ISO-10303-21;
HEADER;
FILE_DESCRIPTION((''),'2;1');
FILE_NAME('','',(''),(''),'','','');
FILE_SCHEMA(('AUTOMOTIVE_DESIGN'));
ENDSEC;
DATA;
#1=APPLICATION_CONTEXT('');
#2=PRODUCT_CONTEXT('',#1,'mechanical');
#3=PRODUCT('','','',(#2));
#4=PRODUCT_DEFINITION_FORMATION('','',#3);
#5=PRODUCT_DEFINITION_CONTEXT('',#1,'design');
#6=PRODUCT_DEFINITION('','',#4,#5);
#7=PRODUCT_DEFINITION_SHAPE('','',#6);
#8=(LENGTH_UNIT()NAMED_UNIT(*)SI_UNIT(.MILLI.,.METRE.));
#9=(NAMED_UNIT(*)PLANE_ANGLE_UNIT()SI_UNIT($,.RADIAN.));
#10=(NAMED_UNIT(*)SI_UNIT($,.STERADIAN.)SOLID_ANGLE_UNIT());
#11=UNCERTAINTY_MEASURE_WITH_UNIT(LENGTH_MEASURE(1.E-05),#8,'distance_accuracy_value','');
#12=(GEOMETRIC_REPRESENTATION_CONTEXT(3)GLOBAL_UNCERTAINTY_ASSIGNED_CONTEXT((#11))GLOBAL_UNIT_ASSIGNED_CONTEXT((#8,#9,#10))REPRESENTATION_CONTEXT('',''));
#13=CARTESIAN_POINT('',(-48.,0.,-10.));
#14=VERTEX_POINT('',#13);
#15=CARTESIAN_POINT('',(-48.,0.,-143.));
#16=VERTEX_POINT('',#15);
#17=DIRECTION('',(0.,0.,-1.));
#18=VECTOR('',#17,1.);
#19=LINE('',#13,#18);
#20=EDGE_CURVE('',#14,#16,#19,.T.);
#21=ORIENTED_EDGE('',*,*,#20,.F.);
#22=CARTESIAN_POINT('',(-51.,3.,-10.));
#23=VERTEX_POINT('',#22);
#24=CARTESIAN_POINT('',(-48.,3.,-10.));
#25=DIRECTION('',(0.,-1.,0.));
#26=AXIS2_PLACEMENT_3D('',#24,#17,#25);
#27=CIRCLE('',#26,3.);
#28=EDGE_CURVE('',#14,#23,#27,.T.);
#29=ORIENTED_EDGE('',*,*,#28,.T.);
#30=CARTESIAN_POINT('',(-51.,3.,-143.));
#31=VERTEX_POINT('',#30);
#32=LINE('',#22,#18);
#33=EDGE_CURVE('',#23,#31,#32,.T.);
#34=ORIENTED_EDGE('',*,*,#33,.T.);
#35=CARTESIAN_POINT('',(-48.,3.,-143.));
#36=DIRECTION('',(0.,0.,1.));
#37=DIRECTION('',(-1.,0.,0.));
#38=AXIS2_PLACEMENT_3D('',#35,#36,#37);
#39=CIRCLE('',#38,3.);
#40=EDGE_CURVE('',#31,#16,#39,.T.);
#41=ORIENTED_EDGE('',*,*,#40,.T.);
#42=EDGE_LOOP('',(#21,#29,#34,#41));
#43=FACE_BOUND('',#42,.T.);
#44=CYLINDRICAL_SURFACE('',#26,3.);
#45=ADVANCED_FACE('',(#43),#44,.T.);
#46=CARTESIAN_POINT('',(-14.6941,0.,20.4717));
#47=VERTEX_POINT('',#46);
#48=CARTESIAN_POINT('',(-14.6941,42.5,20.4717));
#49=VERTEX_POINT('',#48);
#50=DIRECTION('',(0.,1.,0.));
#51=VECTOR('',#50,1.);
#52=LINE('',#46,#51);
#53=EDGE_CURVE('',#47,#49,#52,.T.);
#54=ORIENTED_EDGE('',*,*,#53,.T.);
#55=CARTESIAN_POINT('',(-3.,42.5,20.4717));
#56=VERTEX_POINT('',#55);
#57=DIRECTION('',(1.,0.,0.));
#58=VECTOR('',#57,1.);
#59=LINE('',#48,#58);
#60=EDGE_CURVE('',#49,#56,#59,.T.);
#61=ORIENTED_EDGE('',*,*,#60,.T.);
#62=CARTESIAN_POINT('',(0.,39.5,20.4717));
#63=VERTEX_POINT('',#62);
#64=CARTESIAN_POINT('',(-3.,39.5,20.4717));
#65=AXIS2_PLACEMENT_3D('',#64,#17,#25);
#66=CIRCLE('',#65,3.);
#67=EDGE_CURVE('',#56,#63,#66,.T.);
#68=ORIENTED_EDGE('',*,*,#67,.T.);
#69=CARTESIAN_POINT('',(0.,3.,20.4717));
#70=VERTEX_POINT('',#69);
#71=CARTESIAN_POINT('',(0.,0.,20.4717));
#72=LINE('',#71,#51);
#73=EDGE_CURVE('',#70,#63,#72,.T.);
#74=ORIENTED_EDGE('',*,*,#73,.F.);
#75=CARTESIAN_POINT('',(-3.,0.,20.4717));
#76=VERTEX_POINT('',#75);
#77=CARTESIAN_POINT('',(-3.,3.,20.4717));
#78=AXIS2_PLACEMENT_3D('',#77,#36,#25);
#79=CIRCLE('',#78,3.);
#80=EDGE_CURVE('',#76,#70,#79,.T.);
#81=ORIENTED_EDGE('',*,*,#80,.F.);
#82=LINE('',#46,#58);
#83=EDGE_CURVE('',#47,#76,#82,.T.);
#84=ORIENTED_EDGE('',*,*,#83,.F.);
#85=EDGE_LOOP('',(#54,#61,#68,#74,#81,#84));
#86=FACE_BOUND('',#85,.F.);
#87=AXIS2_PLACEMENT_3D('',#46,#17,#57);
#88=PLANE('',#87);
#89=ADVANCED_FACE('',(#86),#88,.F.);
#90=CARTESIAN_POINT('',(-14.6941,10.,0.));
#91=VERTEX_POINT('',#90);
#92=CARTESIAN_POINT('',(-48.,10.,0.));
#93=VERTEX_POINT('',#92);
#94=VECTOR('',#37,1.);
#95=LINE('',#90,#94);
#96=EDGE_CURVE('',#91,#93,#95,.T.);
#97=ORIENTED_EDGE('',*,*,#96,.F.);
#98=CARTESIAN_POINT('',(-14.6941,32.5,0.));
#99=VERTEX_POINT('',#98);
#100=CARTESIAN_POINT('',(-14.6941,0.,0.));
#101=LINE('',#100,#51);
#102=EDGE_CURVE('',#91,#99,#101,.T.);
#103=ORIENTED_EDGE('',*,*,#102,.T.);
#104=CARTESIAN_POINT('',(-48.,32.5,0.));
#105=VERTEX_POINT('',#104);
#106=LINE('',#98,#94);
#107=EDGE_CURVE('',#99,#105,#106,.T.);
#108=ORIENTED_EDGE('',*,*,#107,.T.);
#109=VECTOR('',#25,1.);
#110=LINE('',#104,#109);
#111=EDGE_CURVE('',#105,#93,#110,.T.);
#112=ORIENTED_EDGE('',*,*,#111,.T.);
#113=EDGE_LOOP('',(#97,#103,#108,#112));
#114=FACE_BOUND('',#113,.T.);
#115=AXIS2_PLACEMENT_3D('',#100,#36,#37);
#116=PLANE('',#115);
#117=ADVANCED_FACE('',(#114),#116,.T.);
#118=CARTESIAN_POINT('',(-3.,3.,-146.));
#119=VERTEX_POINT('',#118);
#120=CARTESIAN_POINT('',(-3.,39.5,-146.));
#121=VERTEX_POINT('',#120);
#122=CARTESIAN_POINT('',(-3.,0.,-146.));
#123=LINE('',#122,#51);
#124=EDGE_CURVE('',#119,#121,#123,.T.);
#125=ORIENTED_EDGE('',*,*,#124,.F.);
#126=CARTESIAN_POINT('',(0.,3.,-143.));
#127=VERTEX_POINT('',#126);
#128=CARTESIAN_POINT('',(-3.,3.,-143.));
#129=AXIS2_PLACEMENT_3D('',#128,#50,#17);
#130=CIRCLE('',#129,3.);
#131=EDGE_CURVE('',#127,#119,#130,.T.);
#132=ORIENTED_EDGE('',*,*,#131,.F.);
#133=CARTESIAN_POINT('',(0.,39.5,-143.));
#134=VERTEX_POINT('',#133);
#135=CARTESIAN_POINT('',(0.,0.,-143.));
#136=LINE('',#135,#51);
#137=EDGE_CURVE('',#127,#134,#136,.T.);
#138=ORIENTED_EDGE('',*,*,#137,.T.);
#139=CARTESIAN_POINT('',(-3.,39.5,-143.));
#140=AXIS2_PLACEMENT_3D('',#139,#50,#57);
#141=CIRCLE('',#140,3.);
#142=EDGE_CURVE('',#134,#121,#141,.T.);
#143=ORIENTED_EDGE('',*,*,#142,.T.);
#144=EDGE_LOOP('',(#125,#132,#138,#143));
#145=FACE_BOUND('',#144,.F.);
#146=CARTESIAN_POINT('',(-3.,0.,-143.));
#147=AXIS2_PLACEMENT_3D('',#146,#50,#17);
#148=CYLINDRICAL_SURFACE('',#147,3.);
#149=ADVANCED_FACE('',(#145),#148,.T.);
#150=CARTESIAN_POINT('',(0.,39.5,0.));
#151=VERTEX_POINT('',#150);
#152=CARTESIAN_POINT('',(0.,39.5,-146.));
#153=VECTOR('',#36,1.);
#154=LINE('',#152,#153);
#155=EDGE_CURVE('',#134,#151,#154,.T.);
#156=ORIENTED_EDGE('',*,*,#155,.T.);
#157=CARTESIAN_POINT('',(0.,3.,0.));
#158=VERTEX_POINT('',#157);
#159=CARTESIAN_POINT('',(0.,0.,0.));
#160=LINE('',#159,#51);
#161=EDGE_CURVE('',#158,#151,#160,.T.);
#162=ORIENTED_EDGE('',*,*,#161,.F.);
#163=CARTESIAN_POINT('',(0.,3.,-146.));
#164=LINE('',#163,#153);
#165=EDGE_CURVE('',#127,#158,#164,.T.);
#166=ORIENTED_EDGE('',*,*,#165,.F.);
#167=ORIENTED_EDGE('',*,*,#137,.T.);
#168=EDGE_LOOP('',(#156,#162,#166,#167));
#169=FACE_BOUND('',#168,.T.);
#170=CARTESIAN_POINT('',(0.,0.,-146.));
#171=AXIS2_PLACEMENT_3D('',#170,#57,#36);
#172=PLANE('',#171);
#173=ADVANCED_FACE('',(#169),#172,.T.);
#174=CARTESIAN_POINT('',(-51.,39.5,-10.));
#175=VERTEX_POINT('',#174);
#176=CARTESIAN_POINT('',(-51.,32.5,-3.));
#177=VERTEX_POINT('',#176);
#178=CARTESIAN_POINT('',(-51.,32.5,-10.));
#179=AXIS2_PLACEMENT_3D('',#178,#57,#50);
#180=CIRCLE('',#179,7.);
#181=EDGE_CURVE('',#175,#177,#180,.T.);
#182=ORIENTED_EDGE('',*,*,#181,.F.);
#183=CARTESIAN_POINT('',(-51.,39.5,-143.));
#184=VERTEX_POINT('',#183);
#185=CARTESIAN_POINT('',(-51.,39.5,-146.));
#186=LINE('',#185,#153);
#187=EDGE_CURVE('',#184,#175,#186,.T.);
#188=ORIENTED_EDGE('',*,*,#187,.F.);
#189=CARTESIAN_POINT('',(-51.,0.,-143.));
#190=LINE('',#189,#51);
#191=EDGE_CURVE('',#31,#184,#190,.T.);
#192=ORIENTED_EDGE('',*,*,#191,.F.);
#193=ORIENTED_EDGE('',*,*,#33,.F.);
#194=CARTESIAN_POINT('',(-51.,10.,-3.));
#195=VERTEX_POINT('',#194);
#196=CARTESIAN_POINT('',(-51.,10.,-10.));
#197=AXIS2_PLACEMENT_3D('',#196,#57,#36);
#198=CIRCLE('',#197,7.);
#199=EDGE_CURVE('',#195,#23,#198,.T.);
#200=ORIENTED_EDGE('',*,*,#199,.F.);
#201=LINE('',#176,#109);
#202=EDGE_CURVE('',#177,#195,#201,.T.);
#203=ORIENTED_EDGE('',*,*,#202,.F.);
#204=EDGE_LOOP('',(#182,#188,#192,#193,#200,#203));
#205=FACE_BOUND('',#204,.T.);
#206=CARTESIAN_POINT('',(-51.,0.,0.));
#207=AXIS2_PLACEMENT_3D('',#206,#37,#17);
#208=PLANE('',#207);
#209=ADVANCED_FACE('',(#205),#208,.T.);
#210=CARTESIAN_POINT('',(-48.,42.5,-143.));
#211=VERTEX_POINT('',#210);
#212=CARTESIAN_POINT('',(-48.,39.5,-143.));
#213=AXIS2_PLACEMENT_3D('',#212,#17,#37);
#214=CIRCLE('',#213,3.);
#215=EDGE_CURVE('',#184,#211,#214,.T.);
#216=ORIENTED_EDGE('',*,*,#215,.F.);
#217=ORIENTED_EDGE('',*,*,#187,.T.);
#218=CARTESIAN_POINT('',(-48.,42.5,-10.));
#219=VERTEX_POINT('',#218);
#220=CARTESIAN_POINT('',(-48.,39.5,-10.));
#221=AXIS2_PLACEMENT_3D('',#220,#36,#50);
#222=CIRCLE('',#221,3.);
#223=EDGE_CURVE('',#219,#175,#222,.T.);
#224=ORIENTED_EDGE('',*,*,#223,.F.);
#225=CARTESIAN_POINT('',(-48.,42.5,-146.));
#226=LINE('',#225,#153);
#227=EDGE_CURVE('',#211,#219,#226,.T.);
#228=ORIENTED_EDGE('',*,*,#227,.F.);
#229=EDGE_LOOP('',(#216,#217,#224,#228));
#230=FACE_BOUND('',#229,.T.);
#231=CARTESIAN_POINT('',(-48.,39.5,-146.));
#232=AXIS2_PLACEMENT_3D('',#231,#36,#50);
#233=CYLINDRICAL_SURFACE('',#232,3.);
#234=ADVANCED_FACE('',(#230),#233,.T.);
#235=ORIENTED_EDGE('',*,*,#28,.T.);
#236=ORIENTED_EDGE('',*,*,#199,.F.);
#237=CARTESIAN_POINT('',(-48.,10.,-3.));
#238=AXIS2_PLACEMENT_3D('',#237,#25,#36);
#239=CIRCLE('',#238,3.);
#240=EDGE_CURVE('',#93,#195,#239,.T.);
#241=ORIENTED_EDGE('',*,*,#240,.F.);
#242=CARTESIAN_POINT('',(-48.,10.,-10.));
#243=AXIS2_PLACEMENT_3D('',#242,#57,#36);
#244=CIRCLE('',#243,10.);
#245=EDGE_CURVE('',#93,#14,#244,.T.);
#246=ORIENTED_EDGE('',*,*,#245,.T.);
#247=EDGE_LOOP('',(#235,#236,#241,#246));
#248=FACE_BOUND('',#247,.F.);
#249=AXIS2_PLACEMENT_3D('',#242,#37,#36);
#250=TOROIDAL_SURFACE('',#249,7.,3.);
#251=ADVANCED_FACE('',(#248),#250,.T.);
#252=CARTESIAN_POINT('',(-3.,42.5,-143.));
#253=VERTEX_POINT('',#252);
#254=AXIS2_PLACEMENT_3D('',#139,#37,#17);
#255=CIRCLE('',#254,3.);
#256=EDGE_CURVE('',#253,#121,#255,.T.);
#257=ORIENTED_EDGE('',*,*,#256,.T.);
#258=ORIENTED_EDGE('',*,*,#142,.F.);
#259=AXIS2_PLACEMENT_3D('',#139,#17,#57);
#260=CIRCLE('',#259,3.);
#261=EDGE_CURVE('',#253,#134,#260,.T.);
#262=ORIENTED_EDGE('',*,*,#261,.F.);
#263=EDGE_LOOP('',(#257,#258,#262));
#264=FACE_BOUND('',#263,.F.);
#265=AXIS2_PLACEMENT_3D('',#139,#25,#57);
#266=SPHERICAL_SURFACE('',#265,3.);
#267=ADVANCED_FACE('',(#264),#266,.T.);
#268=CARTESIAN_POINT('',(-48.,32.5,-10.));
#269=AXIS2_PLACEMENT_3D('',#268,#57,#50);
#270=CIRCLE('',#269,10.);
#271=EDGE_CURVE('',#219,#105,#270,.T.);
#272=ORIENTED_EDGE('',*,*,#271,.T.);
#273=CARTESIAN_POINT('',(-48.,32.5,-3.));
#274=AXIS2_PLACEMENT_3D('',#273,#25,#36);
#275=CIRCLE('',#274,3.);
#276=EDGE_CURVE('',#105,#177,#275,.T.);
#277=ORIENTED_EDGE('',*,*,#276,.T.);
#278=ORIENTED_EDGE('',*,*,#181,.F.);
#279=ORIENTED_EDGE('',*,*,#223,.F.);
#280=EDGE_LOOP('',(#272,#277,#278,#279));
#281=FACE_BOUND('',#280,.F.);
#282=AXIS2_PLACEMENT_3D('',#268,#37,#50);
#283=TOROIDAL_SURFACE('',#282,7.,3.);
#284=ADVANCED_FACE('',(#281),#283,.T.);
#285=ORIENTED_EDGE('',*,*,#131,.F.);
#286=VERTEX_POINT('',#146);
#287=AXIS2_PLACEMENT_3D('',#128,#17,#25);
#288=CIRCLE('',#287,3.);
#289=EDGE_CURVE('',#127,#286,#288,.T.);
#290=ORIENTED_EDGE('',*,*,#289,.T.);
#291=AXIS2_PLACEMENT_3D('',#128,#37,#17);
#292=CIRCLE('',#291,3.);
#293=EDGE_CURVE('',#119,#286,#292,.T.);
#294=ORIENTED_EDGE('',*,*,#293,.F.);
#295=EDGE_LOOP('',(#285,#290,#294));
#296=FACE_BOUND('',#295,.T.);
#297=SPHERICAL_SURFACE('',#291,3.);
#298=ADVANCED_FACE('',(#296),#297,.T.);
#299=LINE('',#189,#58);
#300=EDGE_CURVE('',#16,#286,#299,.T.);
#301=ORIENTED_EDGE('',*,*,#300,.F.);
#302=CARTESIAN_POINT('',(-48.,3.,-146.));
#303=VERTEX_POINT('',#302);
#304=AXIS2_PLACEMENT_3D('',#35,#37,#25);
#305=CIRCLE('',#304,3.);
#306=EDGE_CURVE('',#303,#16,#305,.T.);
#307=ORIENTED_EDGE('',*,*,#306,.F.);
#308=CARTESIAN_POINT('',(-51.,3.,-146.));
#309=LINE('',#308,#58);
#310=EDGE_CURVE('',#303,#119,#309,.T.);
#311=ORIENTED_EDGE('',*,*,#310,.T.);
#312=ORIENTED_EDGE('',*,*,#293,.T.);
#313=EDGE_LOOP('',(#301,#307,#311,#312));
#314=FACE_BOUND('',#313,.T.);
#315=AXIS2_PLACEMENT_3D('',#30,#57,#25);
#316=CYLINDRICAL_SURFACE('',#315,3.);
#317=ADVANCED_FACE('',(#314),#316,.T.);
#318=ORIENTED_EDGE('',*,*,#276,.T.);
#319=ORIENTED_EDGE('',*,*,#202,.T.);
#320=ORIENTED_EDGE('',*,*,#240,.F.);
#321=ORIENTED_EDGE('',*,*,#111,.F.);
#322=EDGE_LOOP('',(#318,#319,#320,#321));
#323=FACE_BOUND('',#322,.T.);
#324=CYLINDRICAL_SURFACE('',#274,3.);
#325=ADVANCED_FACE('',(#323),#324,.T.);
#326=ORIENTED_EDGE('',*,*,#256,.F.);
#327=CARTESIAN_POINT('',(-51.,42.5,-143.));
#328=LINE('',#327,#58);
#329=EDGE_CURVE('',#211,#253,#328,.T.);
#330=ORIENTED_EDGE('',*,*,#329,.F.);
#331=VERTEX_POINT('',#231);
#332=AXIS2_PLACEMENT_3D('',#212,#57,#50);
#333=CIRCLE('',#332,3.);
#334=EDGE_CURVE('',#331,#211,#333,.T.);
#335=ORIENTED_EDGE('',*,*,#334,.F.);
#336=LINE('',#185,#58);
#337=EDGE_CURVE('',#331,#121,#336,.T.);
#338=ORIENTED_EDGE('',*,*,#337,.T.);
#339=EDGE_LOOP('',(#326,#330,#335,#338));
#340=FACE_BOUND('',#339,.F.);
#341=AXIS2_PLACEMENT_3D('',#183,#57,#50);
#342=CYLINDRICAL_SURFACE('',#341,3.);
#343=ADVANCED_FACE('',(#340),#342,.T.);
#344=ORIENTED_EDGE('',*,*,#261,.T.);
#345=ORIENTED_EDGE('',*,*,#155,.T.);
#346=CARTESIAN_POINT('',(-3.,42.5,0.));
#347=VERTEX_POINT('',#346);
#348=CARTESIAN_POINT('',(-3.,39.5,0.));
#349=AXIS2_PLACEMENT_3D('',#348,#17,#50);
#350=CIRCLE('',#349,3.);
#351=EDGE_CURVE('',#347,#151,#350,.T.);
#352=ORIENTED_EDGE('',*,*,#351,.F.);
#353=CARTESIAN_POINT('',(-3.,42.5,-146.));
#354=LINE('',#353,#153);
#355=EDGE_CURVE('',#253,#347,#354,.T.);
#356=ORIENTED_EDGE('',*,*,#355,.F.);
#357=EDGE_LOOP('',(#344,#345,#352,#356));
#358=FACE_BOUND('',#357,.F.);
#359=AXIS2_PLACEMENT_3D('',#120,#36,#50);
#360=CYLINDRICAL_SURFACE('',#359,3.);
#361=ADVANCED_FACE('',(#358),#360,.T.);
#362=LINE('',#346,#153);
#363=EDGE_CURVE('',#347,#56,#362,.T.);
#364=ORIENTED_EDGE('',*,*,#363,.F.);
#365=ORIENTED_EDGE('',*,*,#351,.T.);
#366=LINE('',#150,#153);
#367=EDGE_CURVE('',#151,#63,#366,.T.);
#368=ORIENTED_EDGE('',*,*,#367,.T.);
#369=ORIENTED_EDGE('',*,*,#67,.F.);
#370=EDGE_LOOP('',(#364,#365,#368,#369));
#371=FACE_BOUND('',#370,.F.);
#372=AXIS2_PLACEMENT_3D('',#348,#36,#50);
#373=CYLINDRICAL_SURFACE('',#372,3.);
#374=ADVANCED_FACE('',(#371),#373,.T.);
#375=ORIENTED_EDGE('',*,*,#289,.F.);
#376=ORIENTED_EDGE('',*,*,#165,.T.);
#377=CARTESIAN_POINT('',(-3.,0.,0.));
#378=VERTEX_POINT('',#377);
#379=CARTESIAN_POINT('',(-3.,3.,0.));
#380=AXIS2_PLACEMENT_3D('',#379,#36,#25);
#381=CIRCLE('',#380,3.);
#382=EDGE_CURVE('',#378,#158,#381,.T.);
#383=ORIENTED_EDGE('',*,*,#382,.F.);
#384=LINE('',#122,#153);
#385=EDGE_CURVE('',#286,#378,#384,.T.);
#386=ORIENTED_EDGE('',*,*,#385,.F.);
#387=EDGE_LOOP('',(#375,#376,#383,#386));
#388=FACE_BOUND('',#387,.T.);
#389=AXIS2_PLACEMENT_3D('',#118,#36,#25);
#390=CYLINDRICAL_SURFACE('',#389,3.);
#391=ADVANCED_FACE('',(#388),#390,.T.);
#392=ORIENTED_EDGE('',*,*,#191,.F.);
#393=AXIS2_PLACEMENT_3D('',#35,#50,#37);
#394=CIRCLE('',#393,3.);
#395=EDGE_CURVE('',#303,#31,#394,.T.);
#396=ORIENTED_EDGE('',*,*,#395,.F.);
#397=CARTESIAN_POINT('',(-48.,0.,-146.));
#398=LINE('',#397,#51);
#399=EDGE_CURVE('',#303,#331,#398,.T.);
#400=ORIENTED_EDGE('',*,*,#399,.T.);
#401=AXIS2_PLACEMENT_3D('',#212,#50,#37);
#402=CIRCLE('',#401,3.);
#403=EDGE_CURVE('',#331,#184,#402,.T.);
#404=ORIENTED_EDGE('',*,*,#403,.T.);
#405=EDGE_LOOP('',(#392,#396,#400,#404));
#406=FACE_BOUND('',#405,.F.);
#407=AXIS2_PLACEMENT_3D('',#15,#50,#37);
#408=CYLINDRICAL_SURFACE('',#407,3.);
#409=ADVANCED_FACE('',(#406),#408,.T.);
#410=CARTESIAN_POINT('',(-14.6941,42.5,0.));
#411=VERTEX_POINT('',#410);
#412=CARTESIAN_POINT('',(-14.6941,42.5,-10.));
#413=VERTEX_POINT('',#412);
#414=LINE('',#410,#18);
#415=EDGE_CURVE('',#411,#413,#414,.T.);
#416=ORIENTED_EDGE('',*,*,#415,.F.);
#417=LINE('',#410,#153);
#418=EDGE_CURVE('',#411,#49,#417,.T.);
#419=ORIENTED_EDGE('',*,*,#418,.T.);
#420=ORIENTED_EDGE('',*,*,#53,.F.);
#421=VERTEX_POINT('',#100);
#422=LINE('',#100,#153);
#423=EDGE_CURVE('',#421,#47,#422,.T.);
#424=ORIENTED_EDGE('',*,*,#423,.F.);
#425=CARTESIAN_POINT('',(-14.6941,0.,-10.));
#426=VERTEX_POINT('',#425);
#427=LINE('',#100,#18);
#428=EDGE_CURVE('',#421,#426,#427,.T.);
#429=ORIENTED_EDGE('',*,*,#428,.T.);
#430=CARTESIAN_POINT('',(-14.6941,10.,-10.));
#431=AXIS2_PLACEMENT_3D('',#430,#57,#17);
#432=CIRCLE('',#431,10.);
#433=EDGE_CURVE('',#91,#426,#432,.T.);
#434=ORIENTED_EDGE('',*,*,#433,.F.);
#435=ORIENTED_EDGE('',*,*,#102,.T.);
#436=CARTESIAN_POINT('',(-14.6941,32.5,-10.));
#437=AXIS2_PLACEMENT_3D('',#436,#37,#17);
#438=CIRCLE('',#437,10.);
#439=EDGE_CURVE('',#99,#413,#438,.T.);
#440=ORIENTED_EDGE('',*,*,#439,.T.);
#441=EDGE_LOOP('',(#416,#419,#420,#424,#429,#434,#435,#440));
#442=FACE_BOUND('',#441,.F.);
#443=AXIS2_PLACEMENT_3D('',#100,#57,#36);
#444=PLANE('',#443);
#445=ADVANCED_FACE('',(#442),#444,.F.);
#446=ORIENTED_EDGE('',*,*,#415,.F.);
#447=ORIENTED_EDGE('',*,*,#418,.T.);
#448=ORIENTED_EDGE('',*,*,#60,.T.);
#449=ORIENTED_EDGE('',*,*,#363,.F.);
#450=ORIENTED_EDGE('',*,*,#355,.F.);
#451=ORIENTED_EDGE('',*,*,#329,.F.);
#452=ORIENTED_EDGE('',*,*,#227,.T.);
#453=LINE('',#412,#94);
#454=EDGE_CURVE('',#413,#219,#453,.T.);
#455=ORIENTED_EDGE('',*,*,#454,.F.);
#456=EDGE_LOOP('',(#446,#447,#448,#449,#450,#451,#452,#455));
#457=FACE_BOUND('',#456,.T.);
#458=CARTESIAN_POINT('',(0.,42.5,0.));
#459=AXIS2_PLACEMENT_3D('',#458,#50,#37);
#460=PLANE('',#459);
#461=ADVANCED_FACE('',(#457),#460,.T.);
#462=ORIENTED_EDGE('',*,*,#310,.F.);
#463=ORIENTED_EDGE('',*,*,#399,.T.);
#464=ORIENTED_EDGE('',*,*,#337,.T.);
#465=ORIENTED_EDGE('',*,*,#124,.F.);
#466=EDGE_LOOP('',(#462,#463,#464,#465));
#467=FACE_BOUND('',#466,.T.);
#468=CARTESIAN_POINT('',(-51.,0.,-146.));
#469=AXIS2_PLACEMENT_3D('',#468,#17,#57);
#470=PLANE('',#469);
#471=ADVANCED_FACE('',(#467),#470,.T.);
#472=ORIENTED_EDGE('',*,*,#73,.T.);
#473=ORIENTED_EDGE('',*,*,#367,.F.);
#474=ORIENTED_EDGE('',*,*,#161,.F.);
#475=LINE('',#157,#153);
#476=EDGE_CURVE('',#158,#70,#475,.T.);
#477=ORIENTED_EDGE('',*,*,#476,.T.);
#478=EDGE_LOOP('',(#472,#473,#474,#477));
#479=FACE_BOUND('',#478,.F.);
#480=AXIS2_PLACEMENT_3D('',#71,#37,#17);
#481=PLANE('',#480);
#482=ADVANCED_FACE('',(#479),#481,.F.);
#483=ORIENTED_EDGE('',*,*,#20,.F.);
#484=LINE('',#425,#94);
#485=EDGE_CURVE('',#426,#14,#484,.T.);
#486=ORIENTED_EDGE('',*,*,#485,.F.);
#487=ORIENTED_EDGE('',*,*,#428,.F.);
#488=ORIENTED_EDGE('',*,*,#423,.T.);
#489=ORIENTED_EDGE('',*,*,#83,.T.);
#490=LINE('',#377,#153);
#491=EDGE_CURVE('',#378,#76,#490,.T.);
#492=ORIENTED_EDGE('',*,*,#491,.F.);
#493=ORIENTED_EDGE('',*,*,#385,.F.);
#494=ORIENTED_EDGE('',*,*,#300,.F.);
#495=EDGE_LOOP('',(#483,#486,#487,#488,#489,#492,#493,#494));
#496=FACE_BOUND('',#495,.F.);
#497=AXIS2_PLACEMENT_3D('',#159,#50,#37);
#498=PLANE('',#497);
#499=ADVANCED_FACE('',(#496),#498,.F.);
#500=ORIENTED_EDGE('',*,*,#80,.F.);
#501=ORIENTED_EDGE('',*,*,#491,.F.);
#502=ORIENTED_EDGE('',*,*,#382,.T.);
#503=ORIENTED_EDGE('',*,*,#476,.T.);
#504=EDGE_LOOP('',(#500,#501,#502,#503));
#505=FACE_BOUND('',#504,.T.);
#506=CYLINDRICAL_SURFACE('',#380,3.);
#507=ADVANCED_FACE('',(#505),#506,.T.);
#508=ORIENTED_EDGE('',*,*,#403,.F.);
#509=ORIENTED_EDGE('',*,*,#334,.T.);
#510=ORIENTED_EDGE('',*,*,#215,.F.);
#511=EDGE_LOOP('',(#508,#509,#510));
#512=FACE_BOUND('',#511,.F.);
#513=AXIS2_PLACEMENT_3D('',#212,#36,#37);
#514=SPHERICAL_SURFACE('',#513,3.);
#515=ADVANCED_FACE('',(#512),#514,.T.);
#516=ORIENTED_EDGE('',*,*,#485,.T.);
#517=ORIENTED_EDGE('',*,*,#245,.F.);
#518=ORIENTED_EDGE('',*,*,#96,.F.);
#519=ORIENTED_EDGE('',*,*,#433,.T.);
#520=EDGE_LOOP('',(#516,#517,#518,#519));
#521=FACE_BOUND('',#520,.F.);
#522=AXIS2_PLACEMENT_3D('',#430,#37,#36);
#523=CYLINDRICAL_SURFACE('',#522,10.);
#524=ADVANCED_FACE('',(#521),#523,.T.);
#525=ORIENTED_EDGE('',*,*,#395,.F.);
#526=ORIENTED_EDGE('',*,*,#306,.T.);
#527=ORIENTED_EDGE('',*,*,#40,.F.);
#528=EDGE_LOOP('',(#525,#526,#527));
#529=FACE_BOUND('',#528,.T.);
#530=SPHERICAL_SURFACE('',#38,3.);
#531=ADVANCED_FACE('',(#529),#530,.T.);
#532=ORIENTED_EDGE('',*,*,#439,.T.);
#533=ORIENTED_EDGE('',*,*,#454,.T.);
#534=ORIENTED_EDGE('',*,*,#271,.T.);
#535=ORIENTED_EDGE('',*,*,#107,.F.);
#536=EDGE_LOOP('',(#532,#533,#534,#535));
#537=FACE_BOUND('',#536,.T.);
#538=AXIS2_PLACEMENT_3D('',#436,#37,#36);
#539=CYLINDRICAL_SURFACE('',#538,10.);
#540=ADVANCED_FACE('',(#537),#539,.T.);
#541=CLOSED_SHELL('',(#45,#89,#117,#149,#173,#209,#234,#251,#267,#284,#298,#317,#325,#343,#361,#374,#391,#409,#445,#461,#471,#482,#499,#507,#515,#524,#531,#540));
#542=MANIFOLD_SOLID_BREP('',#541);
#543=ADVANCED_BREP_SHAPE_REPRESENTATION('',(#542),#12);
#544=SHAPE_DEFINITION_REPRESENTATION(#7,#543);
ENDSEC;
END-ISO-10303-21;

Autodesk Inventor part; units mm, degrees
ref_plane "YZ Plane" through (0, 0, 0) normal (1, 0, 0) x (0, 1, 0)
ref_plane "XZ Plane" through (0, 0, 0) normal (0, 1, 0) x (-1, 0, 0)
ref_plane "XY Plane" through (0, 0, 0) normal (0, 0, 1) x (1, 0, 0)
sketch "Sketch1" plane through (0, 0, 0) normal (0, 1, 0) x (-1, 0, 0)
  line L0 (14.6941, 0) -> (51, 0)
  line L1 (51, 0) -> (51, -146)
  line L2 (51, -146) -> (0, -146)
  line L3 (0, -146) -> (0, 0)
  line L4 (14.6941, 0) -> (14.6941, 20.4717)
  line L5 (14.6941, 20.4717) -> (0, 20.4717)
  line L6 (0, 20.4717) -> (0, 0)
  dimension "d0" = 51
  dimension "d1" = 146
extrude "Extrusion1" add sketch "Sketch1" along normal blind 42.5
fillet "Fillet1" radius 10 2 edges at (-32.847, 42.5, 0) (-32.847, 0, 0)
fillet "Fillet2" radius 3 11 edges at (-51, 2.9289, -2.9289) (-51, 21.25, 0) (-51, 39.5711, -2.9289) (-51, 42.5, -78) (-51, 0, -78) (-51, 21.25, -146) (-25.5, 0, -146) (0, 21.25, -146) (0, 0, -73) (0, 42.5, -73) (-25.5, 42.5, -146)
properties part number "Flight Battery 5000 mah 5S"
